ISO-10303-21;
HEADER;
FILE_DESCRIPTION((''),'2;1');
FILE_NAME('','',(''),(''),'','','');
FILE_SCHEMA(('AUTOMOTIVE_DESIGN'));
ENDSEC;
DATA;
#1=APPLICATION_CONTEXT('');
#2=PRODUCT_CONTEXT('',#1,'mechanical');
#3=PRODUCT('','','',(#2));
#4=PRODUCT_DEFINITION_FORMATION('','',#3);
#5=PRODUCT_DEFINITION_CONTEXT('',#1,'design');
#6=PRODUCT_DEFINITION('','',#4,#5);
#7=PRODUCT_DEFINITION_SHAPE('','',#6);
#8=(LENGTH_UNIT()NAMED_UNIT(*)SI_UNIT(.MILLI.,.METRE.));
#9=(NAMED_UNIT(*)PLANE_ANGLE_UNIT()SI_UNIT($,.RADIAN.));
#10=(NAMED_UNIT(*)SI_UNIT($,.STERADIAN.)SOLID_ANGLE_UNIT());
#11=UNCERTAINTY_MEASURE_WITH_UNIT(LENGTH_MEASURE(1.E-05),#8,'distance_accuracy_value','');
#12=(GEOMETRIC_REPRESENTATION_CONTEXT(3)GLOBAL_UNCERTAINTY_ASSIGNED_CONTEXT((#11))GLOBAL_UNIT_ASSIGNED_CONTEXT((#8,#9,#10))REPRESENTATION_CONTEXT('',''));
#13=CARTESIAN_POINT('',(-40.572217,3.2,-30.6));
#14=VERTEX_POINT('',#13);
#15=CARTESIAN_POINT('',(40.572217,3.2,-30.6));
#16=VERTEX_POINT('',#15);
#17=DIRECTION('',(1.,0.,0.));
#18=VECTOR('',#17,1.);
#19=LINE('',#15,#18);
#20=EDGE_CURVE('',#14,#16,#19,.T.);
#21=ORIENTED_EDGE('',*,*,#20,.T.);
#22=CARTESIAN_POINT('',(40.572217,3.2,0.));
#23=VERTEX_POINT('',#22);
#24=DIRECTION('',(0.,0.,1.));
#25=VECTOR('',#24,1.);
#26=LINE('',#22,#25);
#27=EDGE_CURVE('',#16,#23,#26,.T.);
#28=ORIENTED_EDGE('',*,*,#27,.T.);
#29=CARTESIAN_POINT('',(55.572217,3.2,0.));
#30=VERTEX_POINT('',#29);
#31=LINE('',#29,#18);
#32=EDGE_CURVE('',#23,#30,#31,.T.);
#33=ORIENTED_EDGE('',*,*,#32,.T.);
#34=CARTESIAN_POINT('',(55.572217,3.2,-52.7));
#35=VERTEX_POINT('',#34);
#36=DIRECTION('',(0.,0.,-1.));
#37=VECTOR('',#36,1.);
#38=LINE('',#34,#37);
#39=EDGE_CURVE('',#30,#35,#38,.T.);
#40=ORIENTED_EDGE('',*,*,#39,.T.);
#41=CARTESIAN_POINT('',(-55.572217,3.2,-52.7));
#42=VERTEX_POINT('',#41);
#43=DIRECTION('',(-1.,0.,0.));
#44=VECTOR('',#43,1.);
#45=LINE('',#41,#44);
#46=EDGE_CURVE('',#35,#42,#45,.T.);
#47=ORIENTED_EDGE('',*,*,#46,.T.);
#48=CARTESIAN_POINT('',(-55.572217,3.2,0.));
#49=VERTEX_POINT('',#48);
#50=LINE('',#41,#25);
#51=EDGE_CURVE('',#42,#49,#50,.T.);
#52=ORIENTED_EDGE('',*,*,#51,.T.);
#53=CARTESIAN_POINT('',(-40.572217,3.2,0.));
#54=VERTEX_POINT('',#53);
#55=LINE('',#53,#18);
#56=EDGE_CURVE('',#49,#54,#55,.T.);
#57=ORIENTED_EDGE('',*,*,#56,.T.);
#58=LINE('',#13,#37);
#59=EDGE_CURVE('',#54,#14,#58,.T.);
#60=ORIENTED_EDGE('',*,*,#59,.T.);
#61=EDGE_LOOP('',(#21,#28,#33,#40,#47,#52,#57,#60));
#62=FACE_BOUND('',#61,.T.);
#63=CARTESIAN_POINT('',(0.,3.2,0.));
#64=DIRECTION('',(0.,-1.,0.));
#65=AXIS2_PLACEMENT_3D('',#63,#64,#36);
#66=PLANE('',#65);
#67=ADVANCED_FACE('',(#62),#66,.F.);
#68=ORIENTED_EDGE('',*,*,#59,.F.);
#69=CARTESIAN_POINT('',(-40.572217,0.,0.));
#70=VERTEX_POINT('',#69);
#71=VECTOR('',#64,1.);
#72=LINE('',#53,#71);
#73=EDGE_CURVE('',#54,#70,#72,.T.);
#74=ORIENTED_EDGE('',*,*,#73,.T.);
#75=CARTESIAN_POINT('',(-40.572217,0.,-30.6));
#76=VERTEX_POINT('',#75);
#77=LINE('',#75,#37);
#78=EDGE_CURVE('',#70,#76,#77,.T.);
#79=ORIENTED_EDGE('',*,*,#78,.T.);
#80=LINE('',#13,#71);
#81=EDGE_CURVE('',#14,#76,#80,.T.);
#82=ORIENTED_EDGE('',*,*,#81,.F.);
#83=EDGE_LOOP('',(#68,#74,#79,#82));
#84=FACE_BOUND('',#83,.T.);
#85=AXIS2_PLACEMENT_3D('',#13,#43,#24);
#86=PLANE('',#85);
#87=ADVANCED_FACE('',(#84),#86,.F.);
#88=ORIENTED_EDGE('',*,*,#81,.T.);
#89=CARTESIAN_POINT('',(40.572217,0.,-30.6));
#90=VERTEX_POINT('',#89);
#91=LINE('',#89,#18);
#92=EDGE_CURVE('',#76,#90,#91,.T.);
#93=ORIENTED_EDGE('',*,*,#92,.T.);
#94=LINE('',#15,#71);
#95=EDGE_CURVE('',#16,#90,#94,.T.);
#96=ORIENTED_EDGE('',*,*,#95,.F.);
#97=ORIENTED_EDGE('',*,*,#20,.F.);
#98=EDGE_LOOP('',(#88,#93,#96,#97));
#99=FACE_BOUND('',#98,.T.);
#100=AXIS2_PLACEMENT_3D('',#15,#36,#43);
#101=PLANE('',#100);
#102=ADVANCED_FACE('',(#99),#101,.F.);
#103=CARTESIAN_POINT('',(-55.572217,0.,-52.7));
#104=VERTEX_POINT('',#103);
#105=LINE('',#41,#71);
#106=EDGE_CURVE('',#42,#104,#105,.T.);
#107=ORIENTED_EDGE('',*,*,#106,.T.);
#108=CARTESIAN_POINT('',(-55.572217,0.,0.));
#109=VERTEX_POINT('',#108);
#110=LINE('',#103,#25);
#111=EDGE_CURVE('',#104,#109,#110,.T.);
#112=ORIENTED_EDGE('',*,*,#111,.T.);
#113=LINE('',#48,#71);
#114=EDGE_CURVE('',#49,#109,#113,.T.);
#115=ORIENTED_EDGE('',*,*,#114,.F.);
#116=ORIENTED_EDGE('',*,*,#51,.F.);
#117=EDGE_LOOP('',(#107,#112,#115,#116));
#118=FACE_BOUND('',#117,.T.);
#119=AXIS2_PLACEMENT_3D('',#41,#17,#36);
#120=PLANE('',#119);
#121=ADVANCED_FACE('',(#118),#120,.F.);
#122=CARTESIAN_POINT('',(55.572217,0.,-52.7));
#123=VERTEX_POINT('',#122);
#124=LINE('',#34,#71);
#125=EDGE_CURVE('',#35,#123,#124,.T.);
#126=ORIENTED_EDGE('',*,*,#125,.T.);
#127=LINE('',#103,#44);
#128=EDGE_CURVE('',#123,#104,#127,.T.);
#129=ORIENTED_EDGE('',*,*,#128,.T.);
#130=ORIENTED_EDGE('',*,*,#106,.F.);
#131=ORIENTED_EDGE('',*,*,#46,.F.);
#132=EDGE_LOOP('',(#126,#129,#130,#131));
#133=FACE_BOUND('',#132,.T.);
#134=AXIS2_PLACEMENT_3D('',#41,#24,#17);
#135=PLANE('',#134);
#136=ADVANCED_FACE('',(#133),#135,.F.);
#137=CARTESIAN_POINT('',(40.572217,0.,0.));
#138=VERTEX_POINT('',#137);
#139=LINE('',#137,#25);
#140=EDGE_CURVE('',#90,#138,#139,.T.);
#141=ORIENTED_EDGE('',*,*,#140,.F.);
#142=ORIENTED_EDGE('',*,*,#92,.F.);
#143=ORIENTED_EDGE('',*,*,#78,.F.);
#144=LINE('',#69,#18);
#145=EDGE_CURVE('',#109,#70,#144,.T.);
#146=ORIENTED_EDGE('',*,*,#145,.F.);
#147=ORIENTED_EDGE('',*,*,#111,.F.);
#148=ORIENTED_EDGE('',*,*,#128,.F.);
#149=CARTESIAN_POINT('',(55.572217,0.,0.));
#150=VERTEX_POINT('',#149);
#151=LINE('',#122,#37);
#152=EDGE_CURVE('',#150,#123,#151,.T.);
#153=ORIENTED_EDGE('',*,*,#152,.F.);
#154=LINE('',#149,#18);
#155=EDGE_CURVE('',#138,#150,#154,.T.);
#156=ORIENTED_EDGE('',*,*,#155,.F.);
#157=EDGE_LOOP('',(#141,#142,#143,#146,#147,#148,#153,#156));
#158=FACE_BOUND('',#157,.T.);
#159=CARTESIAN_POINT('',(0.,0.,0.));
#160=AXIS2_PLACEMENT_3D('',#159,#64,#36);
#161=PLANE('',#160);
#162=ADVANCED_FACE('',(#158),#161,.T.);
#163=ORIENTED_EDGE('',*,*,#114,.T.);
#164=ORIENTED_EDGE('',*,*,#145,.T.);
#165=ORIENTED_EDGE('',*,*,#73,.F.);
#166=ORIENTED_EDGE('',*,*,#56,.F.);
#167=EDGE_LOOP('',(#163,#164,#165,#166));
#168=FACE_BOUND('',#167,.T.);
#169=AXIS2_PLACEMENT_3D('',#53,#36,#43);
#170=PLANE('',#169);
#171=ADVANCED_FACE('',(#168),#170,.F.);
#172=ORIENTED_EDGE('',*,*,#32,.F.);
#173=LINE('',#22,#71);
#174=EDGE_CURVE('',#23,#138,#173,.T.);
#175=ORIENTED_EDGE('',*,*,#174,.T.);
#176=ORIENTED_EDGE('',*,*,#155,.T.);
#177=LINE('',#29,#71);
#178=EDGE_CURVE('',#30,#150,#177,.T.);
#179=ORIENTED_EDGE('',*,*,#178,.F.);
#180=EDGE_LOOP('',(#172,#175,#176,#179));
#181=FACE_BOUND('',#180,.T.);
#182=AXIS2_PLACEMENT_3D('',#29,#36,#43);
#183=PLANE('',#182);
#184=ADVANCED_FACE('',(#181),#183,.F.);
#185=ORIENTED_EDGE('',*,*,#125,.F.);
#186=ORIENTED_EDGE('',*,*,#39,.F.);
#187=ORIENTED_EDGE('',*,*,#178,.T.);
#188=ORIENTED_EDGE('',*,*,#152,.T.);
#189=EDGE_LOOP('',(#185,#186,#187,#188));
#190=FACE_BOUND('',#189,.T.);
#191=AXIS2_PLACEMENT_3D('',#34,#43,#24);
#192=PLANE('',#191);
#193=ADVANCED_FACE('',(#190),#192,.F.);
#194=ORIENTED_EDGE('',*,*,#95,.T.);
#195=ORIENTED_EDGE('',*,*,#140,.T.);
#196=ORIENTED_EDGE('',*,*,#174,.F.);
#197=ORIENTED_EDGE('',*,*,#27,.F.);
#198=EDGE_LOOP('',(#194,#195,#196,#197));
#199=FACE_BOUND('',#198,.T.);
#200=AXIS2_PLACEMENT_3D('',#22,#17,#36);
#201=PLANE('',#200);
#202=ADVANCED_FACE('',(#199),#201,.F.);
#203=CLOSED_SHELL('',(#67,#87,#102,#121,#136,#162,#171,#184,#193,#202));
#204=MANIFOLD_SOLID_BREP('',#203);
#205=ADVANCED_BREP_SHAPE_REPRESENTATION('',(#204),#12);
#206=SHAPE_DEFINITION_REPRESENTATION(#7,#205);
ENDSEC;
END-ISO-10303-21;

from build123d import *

# Parameters (mm, degrees)
BOSS_EXTRUDE1_DEPTH = 3.2


with BuildPart() as part:
    # Sketch1 → Boss-Extrude1 (new body)
    with BuildSketch(Plane(origin=(0, 0, 0), x_dir=(1, 0, 0), z_dir=(0, 1, 0))):
        Polygon((-55.572217102, 52.7), (55.572217102, 52.7), (55.572217102, 0), (40.572217102, 0), (40.572217102, 30.6), (-40.572217102, 30.6), (-40.572217102, 0), (-55.572217102, 0), align=None)
    extrude(amount=BOSS_EXTRUDE1_DEPTH)


solid = part.part
